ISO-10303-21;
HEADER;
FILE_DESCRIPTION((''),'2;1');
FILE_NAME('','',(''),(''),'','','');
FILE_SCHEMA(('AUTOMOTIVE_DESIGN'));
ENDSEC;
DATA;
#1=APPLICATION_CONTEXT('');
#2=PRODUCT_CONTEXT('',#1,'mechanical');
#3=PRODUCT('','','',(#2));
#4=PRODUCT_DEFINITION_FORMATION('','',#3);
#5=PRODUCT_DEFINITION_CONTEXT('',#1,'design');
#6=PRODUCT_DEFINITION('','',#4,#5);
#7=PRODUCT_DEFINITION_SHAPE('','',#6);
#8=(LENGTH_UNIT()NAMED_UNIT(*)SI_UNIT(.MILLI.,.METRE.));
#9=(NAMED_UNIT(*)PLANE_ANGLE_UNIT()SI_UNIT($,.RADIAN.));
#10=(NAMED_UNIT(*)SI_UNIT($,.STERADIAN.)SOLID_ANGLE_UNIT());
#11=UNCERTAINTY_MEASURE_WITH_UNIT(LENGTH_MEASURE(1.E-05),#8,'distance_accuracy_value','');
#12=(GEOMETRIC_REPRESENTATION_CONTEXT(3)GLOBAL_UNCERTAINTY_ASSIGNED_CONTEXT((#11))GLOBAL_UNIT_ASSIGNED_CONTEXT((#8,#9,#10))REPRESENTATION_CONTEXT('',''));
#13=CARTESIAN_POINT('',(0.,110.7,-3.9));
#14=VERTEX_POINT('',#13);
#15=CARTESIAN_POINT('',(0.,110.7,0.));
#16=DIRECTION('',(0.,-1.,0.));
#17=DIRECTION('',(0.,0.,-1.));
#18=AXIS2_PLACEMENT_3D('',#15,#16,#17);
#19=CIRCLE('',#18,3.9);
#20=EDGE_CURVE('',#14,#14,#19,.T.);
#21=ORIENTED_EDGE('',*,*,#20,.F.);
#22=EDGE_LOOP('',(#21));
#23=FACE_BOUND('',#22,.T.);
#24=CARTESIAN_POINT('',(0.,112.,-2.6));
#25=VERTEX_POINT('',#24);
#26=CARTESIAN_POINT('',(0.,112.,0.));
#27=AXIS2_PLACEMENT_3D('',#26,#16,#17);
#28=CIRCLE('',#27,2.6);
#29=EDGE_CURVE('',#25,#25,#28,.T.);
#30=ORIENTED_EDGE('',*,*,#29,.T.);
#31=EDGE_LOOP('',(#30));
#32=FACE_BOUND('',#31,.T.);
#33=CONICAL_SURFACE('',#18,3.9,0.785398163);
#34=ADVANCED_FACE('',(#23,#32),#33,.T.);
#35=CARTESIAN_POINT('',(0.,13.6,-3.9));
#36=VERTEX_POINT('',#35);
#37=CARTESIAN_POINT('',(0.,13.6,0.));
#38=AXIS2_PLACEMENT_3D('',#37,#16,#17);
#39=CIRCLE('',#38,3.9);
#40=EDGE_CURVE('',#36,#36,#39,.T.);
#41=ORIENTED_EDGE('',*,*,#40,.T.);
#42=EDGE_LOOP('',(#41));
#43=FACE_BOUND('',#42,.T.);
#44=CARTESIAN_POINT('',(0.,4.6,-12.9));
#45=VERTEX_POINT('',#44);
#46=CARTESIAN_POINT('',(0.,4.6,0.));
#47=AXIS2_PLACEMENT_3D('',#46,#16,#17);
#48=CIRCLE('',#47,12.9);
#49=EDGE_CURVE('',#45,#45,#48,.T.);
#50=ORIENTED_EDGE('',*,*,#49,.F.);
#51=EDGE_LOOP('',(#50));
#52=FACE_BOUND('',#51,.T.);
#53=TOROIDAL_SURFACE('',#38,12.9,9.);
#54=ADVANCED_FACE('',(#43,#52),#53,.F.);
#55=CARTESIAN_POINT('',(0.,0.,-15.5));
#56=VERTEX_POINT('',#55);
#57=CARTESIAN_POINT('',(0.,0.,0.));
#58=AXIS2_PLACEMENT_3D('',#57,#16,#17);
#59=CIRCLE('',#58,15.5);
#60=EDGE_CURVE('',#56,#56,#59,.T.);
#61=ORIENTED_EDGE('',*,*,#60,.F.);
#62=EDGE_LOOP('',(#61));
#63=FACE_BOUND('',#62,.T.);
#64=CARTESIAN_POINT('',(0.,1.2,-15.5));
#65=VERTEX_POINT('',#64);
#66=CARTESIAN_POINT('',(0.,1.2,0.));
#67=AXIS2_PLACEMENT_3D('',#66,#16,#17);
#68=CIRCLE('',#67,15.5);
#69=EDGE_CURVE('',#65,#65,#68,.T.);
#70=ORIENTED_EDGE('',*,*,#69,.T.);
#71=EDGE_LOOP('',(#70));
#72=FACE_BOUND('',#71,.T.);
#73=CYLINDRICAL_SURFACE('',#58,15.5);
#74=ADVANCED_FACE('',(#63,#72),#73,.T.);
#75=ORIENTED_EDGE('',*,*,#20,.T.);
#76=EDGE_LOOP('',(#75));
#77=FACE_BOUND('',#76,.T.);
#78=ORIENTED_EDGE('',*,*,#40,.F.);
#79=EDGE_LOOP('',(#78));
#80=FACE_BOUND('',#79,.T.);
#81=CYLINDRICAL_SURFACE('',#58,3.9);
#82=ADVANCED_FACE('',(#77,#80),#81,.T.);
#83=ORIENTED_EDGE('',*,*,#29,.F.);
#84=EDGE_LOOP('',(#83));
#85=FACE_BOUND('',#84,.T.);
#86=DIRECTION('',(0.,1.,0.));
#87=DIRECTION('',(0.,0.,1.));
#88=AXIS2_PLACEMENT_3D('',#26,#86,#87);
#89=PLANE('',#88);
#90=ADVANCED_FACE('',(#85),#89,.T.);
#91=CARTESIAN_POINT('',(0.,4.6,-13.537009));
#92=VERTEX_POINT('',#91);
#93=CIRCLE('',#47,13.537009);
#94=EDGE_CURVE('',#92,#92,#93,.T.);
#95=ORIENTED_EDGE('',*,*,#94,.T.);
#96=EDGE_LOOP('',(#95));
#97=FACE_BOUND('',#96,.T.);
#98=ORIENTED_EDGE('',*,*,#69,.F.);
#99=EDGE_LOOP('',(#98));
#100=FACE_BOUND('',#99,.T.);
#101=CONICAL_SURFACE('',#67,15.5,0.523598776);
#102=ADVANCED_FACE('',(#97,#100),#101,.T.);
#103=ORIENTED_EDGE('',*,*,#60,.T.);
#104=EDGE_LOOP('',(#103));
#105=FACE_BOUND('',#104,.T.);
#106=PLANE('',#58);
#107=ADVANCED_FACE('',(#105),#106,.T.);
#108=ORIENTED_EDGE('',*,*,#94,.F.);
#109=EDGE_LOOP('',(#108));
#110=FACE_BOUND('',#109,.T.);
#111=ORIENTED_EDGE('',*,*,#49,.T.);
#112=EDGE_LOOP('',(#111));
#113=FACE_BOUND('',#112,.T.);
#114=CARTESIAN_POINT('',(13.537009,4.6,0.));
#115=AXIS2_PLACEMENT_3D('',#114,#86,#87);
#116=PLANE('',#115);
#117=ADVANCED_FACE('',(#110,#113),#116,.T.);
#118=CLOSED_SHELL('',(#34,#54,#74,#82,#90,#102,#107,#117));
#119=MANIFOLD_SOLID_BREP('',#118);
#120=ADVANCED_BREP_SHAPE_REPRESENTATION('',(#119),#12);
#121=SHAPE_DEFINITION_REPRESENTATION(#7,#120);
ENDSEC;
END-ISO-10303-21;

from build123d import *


with BuildPart() as part:
    # Эскиз1 → Повернуть1 (revolve)
    with BuildSketch(Plane.XY, mode=Mode.PRIVATE) as revolve_1_sk:
        with BuildLine():
            Line((0, 0), (0, 112))
            Line((0, 112), (2.6, 112))
            Line((2.6, 112), (3.9, 110.7))
            Line((3.9, 110.7), (3.9, 13.6))
            ThreePointArc((3.9, 13.6), (6.536038969, 7.236038969), (12.9, 4.6))
            Line((12.9, 4.6), (13.537009085, 4.6))
            Line((13.537009085, 4.6), (15.5, 1.2))
            Line((15.5, 1.2), (15.5, 0))
            Line((15.5, 0), (0, 0))
        make_face()
    revolve(revolve_1_sk.sketch.rotate(Axis((0, 0, 0), (0, 1, 0)), 90), axis=Axis((0, 0, 0), (0, 1, 0)))


solid = part.part
